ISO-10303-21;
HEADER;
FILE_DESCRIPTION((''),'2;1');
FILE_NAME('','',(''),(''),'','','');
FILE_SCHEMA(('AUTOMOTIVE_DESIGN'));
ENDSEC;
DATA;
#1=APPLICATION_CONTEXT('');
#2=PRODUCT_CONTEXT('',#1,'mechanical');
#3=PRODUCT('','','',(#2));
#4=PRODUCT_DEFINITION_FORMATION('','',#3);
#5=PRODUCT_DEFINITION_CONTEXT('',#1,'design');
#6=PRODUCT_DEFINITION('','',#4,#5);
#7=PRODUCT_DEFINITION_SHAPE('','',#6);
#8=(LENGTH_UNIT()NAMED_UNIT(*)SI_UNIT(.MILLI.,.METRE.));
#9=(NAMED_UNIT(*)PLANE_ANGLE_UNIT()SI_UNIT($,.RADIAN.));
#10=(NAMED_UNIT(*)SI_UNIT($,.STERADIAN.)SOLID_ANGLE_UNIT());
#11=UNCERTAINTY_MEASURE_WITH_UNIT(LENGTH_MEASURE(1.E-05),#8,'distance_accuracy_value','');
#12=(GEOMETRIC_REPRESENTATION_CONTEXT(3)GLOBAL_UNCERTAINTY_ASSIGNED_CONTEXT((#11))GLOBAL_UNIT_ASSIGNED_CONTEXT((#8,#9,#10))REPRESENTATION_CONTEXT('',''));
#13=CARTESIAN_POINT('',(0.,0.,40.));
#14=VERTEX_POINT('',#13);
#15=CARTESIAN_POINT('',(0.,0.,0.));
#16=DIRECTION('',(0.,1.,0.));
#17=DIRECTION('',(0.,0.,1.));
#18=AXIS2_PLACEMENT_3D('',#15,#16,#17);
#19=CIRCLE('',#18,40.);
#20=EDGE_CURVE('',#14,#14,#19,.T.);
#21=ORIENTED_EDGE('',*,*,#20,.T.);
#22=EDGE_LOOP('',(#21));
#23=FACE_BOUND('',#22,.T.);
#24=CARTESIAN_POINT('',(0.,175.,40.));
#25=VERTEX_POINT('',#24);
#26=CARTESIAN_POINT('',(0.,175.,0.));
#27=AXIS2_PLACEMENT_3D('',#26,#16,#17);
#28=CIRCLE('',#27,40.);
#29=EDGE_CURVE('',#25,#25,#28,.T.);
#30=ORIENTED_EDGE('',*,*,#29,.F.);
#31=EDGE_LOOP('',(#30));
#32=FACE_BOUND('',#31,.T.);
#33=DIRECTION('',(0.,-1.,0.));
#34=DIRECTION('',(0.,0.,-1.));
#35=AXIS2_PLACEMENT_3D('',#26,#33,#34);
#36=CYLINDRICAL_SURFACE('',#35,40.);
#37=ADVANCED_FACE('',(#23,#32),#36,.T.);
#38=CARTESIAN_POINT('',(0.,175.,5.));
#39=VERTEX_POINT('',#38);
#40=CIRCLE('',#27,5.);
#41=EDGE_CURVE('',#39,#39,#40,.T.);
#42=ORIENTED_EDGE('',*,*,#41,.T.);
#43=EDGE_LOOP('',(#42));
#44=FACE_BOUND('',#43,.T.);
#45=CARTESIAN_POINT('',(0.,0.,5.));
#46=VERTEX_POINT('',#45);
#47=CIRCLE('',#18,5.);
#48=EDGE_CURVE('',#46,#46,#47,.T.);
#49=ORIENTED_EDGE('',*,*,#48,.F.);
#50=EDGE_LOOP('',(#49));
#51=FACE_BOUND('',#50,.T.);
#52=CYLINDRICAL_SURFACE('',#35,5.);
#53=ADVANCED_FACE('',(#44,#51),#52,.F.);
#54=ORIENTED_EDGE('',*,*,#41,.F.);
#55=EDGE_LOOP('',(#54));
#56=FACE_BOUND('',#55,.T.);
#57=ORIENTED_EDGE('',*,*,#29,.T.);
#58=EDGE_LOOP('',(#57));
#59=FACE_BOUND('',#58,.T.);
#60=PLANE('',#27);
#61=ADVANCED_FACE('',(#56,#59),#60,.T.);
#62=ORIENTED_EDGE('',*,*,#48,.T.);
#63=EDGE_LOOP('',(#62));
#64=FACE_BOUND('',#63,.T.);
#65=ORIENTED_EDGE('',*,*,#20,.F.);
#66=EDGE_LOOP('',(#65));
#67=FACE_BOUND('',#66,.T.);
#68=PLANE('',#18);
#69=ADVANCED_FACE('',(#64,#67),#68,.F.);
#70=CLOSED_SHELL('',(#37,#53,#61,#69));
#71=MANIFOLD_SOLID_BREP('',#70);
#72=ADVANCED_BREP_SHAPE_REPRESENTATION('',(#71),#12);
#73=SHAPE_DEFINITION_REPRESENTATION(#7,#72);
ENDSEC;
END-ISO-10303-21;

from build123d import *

# Parameters (mm, degrees)
SKETCH_1_R      = 40
SKETCH_1_R_2    = 5
EXTRUDE_1_DEPTH = 175


with BuildPart() as part:
    # 草图1 → 凸台-拉伸1 (new body)
    with BuildSketch(Plane(origin=(0, 0, 0), x_dir=(1, 0, 0), z_dir=(0, 1, 0))):
        with Locations(Location((0, 0, 0), (0, 0, 270))):
            Circle(SKETCH_1_R)
        with Locations(Location((0, 0, 0), (0, 0, 270))):
            Circle(SKETCH_1_R_2, mode=Mode.SUBTRACT)
    extrude(amount=EXTRUDE_1_DEPTH)


solid = part.part
